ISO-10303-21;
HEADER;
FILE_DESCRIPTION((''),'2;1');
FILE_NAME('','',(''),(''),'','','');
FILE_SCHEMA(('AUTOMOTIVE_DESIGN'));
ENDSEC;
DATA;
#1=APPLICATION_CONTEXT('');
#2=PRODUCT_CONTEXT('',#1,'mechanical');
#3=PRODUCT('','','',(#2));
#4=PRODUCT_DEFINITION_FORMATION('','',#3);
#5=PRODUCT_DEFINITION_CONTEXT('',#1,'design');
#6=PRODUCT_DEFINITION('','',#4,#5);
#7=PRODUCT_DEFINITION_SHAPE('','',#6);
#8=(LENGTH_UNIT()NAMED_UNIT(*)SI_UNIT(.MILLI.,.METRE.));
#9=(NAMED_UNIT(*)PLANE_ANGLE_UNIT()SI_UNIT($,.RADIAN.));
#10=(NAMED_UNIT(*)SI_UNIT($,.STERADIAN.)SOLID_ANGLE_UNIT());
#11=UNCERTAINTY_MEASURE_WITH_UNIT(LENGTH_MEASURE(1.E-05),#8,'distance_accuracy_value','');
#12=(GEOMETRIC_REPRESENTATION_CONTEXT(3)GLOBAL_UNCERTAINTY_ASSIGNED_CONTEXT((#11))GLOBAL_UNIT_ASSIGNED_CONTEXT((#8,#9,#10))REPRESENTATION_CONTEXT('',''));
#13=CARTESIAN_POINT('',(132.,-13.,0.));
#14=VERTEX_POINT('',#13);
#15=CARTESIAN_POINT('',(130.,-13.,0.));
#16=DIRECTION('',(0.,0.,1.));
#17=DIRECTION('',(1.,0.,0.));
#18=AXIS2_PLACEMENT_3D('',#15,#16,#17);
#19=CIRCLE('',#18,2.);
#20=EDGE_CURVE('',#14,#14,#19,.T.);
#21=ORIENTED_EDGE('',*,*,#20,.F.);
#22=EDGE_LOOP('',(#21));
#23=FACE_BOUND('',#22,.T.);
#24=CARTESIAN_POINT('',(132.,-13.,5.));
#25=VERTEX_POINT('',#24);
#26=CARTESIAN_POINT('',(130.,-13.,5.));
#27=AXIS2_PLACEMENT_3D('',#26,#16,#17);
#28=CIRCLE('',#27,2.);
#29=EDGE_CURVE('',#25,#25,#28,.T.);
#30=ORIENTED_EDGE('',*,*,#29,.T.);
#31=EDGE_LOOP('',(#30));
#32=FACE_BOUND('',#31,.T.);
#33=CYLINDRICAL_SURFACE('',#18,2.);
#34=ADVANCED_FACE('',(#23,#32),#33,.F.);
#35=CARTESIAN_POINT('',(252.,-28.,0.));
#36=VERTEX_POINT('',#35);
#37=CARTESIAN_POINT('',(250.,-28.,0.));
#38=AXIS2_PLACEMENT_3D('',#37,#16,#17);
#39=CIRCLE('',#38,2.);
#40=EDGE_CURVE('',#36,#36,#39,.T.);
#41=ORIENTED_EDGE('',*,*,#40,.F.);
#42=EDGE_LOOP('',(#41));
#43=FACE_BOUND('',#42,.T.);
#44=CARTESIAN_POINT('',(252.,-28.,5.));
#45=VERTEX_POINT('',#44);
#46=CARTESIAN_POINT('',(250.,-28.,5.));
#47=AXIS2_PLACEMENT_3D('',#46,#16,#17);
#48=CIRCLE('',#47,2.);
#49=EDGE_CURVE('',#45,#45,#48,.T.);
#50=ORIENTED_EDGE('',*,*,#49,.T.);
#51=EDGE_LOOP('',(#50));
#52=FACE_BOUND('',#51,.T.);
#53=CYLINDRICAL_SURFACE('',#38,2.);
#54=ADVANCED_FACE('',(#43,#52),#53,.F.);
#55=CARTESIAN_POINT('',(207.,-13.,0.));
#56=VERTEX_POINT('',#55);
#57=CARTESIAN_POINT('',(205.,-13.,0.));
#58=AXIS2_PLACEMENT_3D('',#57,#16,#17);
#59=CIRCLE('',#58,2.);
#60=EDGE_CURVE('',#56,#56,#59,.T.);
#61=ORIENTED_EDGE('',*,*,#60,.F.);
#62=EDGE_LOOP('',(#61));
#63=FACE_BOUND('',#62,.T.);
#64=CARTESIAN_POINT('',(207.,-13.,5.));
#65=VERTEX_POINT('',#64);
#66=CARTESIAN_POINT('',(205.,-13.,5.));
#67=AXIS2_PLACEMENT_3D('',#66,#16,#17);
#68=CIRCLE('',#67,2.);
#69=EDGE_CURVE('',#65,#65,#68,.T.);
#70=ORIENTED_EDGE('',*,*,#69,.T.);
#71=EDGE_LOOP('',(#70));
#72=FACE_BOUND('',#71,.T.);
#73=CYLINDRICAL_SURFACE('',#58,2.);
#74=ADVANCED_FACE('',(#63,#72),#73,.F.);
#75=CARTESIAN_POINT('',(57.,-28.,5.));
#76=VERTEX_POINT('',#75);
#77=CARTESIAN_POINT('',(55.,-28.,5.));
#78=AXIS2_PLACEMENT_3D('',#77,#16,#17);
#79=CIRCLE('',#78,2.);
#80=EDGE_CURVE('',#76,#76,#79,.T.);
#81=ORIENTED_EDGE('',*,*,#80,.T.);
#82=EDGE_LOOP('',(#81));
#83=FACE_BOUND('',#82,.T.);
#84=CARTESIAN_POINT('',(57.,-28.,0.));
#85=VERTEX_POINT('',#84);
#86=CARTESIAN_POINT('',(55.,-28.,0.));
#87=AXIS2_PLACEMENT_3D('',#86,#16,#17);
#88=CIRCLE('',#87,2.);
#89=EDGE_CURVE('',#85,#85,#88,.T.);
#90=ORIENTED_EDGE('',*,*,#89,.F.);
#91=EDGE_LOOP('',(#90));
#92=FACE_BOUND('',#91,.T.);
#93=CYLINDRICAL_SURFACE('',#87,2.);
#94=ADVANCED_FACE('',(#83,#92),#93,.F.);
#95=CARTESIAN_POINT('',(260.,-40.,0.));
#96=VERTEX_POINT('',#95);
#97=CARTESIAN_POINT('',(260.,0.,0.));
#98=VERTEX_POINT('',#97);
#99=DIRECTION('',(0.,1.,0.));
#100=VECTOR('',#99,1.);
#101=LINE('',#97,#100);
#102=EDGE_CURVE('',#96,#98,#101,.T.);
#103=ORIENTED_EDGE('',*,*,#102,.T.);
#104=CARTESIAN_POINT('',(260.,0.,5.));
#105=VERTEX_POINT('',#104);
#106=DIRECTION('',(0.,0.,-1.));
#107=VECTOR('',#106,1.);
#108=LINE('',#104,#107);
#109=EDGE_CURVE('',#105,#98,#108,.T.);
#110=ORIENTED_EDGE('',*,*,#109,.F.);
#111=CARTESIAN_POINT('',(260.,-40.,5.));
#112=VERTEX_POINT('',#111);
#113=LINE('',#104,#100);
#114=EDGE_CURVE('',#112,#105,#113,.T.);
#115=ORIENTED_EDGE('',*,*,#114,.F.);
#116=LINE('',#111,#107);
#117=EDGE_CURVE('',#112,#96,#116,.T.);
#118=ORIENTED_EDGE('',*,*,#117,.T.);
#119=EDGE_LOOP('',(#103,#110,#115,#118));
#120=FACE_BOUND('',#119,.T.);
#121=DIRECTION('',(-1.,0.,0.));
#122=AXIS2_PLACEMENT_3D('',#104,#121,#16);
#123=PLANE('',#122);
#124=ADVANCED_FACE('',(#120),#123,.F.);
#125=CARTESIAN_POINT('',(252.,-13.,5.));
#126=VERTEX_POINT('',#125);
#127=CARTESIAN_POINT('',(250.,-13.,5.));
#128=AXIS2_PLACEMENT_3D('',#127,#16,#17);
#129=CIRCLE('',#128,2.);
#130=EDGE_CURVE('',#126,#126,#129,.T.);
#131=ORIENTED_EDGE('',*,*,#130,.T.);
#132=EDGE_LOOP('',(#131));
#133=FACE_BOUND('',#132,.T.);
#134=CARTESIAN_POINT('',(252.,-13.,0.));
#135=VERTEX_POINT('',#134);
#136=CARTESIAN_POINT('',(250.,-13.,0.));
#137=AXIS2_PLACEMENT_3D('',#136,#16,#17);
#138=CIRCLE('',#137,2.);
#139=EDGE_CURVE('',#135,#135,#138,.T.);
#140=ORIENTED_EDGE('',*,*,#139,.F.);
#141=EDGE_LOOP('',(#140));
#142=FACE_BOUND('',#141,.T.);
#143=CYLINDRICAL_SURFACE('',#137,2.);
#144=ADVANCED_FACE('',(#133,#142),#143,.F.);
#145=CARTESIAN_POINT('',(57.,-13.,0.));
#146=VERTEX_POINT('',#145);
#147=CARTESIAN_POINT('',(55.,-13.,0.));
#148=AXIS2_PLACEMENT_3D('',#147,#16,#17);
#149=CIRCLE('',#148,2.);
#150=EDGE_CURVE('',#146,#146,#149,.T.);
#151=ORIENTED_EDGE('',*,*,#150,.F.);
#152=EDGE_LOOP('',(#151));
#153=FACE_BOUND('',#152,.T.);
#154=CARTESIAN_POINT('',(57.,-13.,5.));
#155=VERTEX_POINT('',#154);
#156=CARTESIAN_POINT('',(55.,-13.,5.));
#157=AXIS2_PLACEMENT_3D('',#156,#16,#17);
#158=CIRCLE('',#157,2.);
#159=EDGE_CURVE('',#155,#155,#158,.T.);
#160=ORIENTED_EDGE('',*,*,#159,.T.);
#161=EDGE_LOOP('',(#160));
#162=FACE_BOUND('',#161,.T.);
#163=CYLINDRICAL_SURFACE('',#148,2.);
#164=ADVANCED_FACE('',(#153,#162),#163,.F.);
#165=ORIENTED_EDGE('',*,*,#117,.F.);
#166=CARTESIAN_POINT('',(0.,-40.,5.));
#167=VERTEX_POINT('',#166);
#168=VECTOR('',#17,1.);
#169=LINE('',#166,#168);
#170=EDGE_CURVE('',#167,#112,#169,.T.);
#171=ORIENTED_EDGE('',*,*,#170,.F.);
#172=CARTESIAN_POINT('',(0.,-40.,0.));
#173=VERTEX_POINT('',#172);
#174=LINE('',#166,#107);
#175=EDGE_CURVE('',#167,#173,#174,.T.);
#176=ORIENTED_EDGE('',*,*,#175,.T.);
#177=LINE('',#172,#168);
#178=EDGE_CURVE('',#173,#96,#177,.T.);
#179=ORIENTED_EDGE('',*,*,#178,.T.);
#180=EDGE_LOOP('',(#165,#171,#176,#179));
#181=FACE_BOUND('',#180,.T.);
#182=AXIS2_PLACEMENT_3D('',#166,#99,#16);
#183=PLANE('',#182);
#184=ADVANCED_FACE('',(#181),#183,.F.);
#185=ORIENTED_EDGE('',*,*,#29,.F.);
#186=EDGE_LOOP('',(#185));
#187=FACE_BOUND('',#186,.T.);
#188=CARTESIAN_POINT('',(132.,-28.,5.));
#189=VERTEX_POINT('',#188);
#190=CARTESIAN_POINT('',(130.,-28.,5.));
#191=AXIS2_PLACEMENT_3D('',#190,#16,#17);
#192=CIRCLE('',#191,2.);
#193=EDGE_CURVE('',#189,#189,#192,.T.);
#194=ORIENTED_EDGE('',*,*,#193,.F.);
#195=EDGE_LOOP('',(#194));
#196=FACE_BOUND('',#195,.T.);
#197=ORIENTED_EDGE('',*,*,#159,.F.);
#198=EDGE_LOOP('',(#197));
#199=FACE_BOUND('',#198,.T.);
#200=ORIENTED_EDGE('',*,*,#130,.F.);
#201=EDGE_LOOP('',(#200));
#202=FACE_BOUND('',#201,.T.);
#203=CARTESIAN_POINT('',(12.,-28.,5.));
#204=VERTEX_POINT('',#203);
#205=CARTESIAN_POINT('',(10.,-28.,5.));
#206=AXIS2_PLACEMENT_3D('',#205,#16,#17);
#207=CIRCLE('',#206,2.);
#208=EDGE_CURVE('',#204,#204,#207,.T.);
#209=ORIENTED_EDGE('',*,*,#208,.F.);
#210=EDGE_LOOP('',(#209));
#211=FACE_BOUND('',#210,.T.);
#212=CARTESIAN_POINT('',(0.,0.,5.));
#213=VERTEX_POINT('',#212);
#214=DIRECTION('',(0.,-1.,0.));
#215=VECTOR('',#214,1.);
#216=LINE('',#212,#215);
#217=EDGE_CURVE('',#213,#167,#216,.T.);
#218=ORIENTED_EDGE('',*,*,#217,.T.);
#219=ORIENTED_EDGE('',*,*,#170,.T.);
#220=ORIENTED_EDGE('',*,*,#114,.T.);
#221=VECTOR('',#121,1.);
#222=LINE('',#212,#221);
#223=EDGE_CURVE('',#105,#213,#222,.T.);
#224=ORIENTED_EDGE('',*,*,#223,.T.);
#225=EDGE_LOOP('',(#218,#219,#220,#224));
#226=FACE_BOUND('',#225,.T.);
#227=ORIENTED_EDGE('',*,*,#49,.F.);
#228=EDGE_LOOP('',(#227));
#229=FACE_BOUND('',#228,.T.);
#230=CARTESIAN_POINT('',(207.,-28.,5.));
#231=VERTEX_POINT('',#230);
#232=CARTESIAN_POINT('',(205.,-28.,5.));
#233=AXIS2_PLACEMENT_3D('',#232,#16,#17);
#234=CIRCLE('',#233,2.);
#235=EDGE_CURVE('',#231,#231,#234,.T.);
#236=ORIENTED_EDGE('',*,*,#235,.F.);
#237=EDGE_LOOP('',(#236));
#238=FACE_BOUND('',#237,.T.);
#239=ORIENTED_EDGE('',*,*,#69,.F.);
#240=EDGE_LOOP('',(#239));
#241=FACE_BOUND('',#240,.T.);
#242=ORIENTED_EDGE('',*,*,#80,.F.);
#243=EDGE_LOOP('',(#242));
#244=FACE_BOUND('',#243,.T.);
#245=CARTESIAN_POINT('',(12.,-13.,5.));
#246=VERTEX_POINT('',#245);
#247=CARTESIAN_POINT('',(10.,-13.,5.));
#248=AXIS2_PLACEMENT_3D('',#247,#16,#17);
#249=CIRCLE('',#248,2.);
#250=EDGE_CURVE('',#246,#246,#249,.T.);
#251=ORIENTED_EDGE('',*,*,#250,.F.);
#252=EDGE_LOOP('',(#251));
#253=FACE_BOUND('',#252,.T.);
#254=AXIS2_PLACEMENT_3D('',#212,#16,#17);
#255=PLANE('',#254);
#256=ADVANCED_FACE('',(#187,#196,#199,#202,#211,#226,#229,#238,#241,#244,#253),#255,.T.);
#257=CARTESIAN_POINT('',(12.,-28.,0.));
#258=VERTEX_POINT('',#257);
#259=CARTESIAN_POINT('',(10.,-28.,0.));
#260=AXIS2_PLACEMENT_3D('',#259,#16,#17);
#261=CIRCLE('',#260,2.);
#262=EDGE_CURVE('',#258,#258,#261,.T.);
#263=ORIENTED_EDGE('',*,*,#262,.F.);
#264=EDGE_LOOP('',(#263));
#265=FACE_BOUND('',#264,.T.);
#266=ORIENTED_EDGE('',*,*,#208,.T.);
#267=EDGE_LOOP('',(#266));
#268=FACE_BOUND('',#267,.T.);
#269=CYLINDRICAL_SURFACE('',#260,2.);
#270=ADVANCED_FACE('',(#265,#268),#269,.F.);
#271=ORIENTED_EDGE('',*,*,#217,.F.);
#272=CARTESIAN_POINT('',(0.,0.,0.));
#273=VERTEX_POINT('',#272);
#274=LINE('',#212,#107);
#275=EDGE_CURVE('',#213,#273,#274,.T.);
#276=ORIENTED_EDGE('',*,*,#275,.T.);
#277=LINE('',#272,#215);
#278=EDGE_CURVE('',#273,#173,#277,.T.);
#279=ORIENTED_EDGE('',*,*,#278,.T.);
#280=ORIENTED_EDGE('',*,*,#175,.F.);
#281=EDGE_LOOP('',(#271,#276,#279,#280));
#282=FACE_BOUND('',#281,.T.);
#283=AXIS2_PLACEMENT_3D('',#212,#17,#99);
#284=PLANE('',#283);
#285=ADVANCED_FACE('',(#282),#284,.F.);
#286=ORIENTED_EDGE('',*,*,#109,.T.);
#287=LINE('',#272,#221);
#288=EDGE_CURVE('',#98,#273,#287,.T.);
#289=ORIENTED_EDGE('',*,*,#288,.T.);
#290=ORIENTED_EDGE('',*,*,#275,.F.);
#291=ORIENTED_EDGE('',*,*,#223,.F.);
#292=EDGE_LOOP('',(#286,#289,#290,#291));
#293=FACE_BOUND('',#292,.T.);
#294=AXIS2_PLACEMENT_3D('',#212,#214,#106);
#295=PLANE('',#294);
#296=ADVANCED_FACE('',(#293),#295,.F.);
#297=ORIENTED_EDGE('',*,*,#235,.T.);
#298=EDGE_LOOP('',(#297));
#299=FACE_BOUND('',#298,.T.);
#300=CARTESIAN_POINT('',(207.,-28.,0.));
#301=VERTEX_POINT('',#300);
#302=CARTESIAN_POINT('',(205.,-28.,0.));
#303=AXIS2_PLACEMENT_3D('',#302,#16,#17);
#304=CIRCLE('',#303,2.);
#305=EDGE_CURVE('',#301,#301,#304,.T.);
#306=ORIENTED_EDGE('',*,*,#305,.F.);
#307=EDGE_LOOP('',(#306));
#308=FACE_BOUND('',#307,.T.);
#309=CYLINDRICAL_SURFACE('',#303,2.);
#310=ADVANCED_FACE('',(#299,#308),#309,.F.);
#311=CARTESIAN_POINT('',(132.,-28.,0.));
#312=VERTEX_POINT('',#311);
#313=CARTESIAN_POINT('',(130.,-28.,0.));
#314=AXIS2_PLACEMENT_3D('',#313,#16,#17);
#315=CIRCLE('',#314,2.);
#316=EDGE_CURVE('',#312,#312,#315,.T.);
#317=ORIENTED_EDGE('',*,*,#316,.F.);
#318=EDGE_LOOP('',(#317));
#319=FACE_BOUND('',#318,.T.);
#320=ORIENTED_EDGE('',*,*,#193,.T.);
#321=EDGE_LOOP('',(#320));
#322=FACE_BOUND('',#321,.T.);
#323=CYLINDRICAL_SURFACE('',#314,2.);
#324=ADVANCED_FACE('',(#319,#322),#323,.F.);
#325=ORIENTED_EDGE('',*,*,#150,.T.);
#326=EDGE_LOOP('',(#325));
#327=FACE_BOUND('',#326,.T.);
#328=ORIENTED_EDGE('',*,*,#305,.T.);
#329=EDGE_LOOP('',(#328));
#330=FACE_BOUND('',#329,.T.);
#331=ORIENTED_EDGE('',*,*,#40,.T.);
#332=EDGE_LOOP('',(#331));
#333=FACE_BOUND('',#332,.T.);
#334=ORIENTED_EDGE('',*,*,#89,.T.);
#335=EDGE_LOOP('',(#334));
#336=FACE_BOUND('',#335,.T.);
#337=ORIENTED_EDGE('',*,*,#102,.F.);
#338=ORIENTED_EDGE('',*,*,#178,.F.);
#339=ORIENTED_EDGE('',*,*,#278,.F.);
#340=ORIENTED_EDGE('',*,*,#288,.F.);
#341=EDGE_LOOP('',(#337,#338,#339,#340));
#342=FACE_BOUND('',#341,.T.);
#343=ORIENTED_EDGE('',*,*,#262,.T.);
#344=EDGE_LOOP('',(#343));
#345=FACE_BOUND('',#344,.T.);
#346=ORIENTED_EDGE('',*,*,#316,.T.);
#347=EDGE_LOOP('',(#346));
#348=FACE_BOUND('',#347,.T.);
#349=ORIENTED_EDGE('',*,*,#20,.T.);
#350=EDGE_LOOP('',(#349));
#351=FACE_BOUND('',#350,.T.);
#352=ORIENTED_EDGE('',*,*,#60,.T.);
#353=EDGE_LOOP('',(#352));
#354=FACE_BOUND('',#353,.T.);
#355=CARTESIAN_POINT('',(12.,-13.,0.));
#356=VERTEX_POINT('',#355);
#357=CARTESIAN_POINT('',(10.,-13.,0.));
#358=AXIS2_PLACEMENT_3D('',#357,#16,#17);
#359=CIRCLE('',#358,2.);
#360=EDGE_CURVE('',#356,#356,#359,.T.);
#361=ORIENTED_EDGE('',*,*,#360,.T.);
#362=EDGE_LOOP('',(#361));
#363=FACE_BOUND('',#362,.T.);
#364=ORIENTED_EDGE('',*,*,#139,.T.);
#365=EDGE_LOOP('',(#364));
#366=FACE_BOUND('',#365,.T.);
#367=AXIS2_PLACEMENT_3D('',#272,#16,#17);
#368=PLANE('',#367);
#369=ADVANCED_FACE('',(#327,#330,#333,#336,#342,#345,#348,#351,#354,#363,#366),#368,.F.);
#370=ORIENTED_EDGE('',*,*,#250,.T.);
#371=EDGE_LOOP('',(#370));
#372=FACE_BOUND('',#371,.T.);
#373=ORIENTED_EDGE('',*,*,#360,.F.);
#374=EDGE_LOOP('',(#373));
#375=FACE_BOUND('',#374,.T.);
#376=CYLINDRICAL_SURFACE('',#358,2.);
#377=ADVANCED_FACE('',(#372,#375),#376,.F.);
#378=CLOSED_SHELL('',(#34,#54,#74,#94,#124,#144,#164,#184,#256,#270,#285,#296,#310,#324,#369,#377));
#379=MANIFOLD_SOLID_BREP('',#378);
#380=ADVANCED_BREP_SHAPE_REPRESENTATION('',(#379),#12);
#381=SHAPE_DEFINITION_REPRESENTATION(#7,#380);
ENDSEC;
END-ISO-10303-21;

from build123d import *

# Parameters (mm, degrees)
ESQUISSE1_W             = 260
ESQUISSE1_H             = 40
BOSS_EXTRU_1_DEPTH      = 5
ESQUISSE2_R             = 2
ENL_V_MAT_EXTRU_1_DEPTH = 5


with BuildPart() as part:
    # Esquisse1 → Boss.-Extru.1 (new body)
    with BuildSketch(Plane.XY):
        with Locations((130, -20)):
            Rectangle(ESQUISSE1_W, ESQUISSE1_H)
    extrude(amount=BOSS_EXTRU_1_DEPTH)

    # Esquisse2 → Enlèv. mat.-Extru.1 (cut)
    with BuildSketch(Plane.XY.offset(5)):
        with Locations((10, -13)):
            Circle(ESQUISSE2_R)
        with Locations((10, -28)):
            Circle(ESQUISSE2_R)
        with Locations((250, -28)):
            Circle(ESQUISSE2_R)
        with Locations((250, -13)):
            Circle(ESQUISSE2_R)
        with Locations((205, -28)):
            Circle(ESQUISSE2_R)
        with Locations((205, -13)):
            Circle(ESQUISSE2_R)
        with Locations((55, -13)):
            Circle(ESQUISSE2_R)
        with Locations((55, -28)):
            Circle(ESQUISSE2_R)
        with Locations((130, -13)):
            Circle(ESQUISSE2_R)
        with Locations((130, -28)):
            Circle(ESQUISSE2_R)
    extrude(amount=-ENL_V_MAT_EXTRU_1_DEPTH, mode=Mode.SUBTRACT)


solid = part.part
